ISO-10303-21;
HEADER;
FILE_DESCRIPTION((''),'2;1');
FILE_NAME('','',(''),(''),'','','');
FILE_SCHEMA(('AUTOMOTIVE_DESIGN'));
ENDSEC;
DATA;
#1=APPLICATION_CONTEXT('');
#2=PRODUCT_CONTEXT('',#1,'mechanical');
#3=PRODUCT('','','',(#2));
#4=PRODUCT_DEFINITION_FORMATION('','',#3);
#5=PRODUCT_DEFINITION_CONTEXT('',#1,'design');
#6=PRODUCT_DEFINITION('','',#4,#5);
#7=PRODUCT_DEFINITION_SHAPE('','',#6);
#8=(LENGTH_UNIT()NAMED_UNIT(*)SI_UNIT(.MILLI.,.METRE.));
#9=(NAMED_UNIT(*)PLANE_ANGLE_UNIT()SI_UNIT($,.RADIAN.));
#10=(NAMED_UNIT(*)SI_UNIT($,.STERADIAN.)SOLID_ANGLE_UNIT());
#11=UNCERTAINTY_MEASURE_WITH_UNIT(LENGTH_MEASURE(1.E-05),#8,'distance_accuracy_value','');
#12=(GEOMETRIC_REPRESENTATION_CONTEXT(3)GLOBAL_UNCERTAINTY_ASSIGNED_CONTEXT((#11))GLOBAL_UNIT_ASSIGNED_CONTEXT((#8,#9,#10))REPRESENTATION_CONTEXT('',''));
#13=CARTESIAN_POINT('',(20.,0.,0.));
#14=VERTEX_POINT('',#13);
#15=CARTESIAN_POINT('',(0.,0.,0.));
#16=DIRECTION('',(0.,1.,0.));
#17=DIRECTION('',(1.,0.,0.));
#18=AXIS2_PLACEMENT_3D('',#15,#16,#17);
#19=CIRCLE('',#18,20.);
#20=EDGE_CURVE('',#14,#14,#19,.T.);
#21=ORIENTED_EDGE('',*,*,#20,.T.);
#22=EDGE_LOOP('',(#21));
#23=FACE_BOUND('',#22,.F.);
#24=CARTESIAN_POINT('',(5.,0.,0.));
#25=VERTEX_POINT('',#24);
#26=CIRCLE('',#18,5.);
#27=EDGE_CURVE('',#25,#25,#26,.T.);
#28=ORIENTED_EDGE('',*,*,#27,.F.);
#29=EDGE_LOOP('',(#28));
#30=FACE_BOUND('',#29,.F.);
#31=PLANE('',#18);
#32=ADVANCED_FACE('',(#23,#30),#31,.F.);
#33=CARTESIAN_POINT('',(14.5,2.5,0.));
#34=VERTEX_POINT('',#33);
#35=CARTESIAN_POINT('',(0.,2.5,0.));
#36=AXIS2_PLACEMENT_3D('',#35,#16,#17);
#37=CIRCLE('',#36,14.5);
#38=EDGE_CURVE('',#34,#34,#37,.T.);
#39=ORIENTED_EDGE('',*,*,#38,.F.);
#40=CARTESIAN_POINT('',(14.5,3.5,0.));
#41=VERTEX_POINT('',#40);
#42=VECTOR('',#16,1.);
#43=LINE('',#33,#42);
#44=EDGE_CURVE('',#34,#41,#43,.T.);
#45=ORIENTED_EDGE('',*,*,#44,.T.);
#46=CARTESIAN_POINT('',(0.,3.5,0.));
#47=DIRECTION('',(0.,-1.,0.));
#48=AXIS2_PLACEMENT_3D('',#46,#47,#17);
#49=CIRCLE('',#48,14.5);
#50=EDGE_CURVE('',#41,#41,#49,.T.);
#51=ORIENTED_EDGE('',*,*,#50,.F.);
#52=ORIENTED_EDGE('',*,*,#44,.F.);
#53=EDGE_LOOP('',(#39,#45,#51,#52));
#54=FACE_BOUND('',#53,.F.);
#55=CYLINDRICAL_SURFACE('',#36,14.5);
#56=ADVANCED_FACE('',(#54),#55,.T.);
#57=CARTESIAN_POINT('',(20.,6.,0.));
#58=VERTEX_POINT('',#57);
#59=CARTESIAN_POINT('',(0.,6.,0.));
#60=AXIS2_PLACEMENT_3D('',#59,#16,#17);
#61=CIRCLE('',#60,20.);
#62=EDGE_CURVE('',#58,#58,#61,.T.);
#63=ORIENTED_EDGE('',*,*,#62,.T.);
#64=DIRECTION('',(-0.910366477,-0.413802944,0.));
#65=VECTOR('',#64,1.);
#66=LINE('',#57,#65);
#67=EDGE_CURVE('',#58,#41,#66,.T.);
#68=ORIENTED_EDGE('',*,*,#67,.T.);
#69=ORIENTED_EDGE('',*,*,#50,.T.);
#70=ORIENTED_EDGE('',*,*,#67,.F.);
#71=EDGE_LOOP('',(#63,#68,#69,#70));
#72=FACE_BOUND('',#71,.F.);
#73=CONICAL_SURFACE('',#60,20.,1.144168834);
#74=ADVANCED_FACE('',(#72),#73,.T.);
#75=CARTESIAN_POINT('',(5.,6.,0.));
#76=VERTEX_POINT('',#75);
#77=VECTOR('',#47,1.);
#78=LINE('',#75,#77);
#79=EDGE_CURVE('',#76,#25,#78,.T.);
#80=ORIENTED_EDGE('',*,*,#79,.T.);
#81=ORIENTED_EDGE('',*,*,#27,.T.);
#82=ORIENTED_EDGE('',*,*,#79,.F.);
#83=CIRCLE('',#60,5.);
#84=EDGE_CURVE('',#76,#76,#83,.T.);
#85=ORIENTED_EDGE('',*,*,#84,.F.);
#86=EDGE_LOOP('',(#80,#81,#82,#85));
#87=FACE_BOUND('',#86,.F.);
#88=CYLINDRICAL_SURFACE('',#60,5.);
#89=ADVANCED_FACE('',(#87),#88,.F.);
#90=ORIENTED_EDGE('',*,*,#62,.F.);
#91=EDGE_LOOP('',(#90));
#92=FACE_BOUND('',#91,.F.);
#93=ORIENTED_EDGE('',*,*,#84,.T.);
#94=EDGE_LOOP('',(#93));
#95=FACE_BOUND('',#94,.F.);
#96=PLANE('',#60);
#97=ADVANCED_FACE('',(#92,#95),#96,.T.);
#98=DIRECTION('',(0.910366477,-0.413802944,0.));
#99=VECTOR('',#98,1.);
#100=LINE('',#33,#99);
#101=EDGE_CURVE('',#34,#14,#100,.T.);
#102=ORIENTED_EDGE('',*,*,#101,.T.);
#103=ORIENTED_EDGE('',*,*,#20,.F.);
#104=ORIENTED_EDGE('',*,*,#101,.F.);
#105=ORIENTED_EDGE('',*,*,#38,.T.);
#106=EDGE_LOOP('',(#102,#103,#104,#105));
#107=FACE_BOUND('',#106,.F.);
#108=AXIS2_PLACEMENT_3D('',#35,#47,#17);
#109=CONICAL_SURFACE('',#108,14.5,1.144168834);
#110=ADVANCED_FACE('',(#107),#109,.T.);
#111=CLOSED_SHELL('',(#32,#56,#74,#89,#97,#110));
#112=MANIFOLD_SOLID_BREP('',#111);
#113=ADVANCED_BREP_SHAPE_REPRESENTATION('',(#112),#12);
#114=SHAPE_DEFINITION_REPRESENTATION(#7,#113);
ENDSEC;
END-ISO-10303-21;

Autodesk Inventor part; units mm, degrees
ref_plane "YZ Plane" through (0, 0, 0) normal (1, 0, 0) x (0, 1, 0)
ref_plane "XZ Plane" through (0, 0, 0) normal (0, 1, 0) x (-1, 0, 0)
ref_plane "XY Plane" through (0, 0, 0) normal (0, 0, 1) x (1, 0, 0)
sketch "Esquisse1" plane through (0, 0, 0) normal (0, 0, 1) x (1, 0, 0)
  point P0 (0, 0)
sketch "Esquisse2" plane through (0, 0, 0) normal (0, 0, 1) x (1, 0, 0)
  line L0 (0, 2.5) -> (14.5, 2.5)
  line L1 (14.5, 2.5) -> (20, 0)
  line L2 (20, 0) -> (0, 0)
  line L3 (0, 0) -> (0, 2.5)
  dimension "d0" = 20
  dimension "d1" = 14.5
  dimension "d2" = 2.5
revolve "Révolution1" add sketch "Esquisse2" angle 360 about axis through (0, 0, 0) along (0, 1, 0)
sketch "Esquisse3" plane through (0, 0, 0) normal (0, 0, 1) x (1, 0, 0)
  line L0 (-14.5, 2.5) -> (14.5, 2.5) projected
  line L1 (0, 2.5) -> (14.5, 2.5)
  line L2 (14.5, 2.5) -> (14.5, 3.5)
  line L3 (14.5, 3.5) -> (0, 3.5)
  line L4 (0, 3.5) -> (0, 2.5)
  point P0 (0, 0)
  dimension "d4" = 1
  dimension "d5" = 14.5
revolve "Révolution2" add sketch "Esquisse3" angle 360 about axis through (0, 3.5, 0) along (0, -1, 0)
sketch "Esquisse4" plane through (0, 0, 0) normal (0, 0, 1) x (1, 0, 0)
  line L0 (-14.5, 3.5) -> (14.5, 3.5) projected
  line L1 (0, 3.5) -> (0, 6)
  line L2 (0, 6) -> (20, 6)
  line L3 (20, 6) -> (14.5, 3.5)
  line L4 (14.5, 3.5) -> (0, 3.5)
  point P0 (0, 0)
  dimension "d7" = 20
  dimension "d8" = 2.5
revolve "Révolution3" add sketch "Esquisse4" angle 360 about axis through (0, 3.5, 0) along (0, 1, 0)
sketch "Esquisse5" plane through (0, 6, 0) normal (0, 1, 0) x (1, 0, 0)
  circle A0 centre (0, 0) radius 5
  dimension "d10" = 10
extrude "Extrusion1" cut sketch "Esquisse5" against normal blind 6
properties part number "Wrist polley" material "Plastique ABS"
